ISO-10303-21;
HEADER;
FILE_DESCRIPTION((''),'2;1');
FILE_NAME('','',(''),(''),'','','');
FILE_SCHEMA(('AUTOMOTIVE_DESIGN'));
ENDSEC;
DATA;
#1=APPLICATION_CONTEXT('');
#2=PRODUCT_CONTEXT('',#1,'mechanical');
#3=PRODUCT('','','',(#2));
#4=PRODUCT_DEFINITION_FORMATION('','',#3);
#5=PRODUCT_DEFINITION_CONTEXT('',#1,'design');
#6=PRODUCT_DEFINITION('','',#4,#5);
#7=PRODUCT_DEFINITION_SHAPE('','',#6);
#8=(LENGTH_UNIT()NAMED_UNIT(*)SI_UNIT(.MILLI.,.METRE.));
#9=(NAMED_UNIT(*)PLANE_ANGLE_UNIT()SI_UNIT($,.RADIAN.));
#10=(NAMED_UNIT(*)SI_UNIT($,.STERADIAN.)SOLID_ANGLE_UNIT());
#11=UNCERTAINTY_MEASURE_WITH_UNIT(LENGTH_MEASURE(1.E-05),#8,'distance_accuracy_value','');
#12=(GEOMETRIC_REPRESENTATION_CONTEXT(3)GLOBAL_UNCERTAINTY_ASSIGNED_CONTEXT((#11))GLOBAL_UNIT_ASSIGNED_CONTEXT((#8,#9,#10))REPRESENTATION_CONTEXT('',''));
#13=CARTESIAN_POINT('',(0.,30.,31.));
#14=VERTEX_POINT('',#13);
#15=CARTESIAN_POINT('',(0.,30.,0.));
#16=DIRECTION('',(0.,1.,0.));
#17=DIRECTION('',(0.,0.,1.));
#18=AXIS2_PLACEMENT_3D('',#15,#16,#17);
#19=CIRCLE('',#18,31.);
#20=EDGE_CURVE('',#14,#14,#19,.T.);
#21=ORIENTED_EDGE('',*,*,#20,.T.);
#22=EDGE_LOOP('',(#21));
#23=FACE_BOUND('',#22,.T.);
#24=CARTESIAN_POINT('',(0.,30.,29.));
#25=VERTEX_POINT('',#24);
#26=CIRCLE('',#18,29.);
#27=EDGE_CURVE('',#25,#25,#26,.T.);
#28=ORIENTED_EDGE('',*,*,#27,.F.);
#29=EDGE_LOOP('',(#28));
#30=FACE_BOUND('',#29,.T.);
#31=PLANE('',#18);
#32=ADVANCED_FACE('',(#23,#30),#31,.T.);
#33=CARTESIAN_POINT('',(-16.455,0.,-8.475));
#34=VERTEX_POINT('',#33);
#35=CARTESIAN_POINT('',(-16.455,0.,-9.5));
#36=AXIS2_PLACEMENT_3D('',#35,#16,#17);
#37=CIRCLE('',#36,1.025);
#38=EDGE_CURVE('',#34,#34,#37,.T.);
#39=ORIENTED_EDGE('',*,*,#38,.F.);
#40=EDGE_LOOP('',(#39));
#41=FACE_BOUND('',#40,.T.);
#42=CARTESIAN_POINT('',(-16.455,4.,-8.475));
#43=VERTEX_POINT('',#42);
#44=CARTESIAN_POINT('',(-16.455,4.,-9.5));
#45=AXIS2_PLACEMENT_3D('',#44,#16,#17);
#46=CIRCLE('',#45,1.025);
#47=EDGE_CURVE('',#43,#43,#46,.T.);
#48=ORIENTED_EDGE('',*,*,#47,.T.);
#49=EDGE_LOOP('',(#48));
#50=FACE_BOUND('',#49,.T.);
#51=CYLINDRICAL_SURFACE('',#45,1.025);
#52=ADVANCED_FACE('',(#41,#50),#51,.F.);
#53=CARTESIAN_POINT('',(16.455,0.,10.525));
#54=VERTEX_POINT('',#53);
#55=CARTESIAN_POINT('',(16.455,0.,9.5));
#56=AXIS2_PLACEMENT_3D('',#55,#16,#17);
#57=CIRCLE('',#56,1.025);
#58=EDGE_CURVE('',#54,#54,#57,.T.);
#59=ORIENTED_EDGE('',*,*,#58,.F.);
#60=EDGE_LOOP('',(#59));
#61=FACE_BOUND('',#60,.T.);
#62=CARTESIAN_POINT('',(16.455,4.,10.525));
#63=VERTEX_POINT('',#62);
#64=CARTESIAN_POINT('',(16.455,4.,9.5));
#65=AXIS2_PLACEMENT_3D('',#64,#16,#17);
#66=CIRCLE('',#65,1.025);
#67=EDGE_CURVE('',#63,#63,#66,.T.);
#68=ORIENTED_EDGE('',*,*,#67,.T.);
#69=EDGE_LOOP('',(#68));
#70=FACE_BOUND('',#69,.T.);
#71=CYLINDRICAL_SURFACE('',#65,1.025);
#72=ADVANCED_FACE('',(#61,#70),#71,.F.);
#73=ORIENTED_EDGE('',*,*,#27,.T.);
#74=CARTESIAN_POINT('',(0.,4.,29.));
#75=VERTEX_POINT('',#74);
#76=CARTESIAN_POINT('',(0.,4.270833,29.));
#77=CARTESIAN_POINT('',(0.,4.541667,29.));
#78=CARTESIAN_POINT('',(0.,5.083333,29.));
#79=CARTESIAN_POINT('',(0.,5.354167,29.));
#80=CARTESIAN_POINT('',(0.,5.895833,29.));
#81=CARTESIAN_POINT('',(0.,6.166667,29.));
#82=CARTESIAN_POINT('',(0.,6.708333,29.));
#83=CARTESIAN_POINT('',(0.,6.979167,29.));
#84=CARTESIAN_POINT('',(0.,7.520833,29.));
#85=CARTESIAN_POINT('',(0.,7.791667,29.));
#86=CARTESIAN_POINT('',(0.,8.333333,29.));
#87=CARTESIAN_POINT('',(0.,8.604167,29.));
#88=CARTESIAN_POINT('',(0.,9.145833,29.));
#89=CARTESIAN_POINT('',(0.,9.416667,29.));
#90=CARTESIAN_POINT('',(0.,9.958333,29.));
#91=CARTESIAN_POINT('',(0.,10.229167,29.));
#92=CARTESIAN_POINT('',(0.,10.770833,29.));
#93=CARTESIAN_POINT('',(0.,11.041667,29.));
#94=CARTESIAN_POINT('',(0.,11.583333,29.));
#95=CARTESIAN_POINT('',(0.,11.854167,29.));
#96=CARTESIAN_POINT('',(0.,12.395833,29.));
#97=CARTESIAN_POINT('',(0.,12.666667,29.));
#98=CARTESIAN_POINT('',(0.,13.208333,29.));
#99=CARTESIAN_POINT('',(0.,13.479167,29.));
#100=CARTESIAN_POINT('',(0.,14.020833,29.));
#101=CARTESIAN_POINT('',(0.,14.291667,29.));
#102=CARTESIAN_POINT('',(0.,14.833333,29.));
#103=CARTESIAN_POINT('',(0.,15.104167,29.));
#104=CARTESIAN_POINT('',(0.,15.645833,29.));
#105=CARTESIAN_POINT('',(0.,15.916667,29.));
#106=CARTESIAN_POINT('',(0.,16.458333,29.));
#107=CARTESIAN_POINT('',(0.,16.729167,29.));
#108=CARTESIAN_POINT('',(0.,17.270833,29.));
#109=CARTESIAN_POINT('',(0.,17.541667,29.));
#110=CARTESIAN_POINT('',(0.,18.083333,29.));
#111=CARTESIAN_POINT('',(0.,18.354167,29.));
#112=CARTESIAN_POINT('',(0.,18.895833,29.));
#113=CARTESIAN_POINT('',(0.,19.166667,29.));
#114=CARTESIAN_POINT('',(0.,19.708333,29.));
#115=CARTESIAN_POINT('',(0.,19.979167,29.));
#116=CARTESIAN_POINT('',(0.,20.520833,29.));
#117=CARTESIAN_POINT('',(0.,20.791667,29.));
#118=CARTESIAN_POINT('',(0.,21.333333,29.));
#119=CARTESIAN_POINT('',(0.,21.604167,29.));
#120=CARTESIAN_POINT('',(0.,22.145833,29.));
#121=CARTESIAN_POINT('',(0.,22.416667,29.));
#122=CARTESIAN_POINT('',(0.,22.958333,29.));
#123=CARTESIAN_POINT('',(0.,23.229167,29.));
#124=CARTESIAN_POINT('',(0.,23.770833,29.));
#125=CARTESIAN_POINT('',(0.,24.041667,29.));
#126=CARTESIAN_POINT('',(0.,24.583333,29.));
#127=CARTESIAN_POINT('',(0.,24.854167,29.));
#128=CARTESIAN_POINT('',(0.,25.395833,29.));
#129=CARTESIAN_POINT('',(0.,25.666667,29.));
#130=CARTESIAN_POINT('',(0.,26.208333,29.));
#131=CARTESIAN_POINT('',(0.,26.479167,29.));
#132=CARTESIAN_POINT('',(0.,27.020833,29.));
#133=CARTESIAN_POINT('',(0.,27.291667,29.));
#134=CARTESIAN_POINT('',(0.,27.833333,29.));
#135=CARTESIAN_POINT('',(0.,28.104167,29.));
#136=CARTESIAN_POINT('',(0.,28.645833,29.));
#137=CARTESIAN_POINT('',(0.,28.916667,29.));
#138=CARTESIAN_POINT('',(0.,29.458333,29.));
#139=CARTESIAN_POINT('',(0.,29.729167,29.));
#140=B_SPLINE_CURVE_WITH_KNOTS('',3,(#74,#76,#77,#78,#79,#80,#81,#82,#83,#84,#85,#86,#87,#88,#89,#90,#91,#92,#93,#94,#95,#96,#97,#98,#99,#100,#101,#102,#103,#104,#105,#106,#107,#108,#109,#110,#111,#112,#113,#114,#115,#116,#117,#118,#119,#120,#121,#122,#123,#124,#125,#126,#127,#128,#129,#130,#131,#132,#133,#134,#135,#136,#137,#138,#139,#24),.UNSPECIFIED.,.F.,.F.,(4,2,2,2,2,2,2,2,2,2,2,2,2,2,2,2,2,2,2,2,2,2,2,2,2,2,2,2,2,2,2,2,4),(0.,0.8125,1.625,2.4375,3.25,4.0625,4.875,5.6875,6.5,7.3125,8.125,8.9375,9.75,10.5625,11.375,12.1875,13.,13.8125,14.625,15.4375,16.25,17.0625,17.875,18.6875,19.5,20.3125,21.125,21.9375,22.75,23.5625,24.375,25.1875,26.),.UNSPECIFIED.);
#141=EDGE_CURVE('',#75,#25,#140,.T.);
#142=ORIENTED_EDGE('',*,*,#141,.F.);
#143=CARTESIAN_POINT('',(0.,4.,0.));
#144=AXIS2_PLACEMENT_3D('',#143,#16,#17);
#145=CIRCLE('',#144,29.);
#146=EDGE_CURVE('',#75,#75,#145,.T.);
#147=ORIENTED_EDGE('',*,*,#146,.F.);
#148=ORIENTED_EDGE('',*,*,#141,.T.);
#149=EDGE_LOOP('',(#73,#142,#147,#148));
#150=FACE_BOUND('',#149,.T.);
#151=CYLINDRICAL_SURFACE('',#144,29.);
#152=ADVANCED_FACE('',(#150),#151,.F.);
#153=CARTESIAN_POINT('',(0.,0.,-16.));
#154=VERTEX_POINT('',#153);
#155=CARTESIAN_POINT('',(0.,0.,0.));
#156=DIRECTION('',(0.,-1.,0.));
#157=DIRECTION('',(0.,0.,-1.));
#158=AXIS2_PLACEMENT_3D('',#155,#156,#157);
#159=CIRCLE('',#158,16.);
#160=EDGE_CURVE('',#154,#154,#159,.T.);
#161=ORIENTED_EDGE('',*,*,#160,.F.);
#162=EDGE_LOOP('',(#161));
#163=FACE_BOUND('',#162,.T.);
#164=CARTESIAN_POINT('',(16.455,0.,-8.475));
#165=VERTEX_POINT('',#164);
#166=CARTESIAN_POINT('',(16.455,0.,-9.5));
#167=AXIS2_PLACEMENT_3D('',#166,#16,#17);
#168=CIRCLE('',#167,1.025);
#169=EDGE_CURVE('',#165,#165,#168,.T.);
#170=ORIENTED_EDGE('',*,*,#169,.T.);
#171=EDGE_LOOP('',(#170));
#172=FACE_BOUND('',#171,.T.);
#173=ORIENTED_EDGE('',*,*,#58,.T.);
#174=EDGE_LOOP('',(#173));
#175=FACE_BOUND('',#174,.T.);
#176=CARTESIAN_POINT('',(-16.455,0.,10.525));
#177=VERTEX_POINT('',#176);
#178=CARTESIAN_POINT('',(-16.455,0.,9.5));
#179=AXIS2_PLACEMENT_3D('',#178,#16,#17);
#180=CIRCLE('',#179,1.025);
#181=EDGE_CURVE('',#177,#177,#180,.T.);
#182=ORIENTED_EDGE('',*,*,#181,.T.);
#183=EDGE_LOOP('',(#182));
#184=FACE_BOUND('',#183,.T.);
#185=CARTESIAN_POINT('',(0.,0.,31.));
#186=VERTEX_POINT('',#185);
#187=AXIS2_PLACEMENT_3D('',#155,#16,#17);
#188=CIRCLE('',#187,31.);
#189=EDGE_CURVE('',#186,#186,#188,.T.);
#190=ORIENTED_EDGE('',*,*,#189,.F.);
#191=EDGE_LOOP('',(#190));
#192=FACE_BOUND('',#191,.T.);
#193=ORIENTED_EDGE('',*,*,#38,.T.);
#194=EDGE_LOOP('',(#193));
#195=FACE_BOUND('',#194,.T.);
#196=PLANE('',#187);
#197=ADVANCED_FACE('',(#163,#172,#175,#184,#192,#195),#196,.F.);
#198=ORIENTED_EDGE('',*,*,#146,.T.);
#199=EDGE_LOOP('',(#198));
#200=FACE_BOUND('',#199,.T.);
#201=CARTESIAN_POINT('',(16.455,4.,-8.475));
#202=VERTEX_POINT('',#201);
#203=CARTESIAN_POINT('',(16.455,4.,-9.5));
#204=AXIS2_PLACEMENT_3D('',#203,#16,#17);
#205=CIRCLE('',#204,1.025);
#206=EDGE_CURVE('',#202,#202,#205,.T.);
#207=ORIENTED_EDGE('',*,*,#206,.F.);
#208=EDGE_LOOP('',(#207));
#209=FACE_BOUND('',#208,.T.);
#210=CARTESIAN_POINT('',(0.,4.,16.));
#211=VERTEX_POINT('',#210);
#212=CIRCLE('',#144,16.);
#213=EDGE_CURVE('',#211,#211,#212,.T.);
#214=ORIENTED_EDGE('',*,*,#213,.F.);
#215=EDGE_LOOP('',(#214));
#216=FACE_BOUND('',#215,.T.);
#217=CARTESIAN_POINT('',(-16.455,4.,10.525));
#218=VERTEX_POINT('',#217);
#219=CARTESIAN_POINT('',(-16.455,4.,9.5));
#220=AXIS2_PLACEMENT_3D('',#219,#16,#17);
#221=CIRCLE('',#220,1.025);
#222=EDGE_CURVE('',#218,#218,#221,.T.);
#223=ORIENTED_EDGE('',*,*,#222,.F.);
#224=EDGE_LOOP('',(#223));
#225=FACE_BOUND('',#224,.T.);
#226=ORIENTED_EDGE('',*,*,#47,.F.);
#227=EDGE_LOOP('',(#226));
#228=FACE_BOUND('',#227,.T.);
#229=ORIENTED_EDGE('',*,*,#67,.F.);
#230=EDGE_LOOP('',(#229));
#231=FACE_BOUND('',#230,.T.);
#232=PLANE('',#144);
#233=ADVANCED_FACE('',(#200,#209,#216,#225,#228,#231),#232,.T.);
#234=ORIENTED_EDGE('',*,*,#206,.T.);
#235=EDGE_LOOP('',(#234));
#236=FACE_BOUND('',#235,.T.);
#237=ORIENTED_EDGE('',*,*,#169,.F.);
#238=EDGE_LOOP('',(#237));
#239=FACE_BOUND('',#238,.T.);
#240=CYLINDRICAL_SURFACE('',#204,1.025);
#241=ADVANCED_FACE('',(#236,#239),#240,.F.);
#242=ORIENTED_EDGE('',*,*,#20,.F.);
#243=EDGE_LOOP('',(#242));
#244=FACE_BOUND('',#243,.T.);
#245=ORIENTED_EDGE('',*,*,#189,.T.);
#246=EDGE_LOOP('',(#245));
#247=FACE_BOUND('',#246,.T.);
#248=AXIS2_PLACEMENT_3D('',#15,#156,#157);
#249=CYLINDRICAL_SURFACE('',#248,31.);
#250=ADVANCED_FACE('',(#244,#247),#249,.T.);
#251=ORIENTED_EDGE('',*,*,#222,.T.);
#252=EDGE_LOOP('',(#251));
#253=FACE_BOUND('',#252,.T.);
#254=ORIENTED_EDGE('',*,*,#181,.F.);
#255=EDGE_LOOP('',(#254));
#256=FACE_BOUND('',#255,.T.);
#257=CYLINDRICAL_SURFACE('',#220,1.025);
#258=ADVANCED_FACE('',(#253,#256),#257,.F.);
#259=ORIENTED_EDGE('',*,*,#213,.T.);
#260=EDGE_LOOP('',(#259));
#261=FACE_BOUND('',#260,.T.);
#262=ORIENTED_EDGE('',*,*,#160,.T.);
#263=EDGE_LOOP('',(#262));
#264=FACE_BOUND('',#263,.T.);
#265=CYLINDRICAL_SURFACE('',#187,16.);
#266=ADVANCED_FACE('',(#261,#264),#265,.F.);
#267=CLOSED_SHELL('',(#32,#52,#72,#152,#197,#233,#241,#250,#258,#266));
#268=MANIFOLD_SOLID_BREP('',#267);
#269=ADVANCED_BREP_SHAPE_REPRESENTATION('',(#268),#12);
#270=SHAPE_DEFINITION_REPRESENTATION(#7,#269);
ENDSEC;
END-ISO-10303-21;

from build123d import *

# Parameters (mm, degrees)
SKETCH_1_R               = 31
EXTRUDE_1_DEPTH          = 30
CUT_EXTRUDE_3_DEPTH      = 51.467811524
CUT_EXTRUDE_3_DEPTH_BACK = 51.467811524
SKETCH_5_R               = 16
SKETCH_6_R               = 29
CUT_EXTRUDE_4_DEPTH      = 26
HOLE_WIZARD_M2_5_1_D     = 2.05


with BuildPart() as part:
    # 草图1 → 凸台-拉伸1 (new body)
    with BuildSketch(Plane(origin=(0, 0, 0), x_dir=(1, 0, 0), z_dir=(0, 1, 0))):
        with Locations(Location((0, 0, 0), (0, 0, 270))):
            Circle(SKETCH_1_R)
    extrude(amount=EXTRUDE_1_DEPTH)

    # 草图5 → 切除-拉伸3 (cut, two sides: drawn at the far end of the back side and taken through both)
    with BuildSketch(Plane(origin=(0, 5, 0), x_dir=(-1, 0, 0), z_dir=(0, -1, 0)).offset(-CUT_EXTRUDE_3_DEPTH_BACK)):
        with Locations(Location((0, 0, 0), (0, 0, 90))):
            Circle(SKETCH_5_R)
    extrude(amount=CUT_EXTRUDE_3_DEPTH + CUT_EXTRUDE_3_DEPTH_BACK, mode=Mode.SUBTRACT)

    # 草图6 → 切除-拉伸4 (cut)
    with BuildSketch(Plane(origin=(0, 30, 0), x_dir=(1, 0, 0), z_dir=(0, 1, 0))):
        with Locations(Location((0, 0, 0), (0, 0, 270))):
            Circle(SKETCH_6_R)
    extrude(amount=-CUT_EXTRUDE_4_DEPTH, mode=Mode.SUBTRACT)

    # M2.5 螺纹孔1 (through all)
    with Locations(Plane(origin=(0, 4, 0), x_dir=(1, 0, 0), z_dir=(0, 1, 0))):
        with Locations((-16.455, 9.5), (16.455, 9.5), (16.455, -9.5), (-16.455, -9.5)):
            Hole(HOLE_WIZARD_M2_5_1_D / 2)


solid = part.part
